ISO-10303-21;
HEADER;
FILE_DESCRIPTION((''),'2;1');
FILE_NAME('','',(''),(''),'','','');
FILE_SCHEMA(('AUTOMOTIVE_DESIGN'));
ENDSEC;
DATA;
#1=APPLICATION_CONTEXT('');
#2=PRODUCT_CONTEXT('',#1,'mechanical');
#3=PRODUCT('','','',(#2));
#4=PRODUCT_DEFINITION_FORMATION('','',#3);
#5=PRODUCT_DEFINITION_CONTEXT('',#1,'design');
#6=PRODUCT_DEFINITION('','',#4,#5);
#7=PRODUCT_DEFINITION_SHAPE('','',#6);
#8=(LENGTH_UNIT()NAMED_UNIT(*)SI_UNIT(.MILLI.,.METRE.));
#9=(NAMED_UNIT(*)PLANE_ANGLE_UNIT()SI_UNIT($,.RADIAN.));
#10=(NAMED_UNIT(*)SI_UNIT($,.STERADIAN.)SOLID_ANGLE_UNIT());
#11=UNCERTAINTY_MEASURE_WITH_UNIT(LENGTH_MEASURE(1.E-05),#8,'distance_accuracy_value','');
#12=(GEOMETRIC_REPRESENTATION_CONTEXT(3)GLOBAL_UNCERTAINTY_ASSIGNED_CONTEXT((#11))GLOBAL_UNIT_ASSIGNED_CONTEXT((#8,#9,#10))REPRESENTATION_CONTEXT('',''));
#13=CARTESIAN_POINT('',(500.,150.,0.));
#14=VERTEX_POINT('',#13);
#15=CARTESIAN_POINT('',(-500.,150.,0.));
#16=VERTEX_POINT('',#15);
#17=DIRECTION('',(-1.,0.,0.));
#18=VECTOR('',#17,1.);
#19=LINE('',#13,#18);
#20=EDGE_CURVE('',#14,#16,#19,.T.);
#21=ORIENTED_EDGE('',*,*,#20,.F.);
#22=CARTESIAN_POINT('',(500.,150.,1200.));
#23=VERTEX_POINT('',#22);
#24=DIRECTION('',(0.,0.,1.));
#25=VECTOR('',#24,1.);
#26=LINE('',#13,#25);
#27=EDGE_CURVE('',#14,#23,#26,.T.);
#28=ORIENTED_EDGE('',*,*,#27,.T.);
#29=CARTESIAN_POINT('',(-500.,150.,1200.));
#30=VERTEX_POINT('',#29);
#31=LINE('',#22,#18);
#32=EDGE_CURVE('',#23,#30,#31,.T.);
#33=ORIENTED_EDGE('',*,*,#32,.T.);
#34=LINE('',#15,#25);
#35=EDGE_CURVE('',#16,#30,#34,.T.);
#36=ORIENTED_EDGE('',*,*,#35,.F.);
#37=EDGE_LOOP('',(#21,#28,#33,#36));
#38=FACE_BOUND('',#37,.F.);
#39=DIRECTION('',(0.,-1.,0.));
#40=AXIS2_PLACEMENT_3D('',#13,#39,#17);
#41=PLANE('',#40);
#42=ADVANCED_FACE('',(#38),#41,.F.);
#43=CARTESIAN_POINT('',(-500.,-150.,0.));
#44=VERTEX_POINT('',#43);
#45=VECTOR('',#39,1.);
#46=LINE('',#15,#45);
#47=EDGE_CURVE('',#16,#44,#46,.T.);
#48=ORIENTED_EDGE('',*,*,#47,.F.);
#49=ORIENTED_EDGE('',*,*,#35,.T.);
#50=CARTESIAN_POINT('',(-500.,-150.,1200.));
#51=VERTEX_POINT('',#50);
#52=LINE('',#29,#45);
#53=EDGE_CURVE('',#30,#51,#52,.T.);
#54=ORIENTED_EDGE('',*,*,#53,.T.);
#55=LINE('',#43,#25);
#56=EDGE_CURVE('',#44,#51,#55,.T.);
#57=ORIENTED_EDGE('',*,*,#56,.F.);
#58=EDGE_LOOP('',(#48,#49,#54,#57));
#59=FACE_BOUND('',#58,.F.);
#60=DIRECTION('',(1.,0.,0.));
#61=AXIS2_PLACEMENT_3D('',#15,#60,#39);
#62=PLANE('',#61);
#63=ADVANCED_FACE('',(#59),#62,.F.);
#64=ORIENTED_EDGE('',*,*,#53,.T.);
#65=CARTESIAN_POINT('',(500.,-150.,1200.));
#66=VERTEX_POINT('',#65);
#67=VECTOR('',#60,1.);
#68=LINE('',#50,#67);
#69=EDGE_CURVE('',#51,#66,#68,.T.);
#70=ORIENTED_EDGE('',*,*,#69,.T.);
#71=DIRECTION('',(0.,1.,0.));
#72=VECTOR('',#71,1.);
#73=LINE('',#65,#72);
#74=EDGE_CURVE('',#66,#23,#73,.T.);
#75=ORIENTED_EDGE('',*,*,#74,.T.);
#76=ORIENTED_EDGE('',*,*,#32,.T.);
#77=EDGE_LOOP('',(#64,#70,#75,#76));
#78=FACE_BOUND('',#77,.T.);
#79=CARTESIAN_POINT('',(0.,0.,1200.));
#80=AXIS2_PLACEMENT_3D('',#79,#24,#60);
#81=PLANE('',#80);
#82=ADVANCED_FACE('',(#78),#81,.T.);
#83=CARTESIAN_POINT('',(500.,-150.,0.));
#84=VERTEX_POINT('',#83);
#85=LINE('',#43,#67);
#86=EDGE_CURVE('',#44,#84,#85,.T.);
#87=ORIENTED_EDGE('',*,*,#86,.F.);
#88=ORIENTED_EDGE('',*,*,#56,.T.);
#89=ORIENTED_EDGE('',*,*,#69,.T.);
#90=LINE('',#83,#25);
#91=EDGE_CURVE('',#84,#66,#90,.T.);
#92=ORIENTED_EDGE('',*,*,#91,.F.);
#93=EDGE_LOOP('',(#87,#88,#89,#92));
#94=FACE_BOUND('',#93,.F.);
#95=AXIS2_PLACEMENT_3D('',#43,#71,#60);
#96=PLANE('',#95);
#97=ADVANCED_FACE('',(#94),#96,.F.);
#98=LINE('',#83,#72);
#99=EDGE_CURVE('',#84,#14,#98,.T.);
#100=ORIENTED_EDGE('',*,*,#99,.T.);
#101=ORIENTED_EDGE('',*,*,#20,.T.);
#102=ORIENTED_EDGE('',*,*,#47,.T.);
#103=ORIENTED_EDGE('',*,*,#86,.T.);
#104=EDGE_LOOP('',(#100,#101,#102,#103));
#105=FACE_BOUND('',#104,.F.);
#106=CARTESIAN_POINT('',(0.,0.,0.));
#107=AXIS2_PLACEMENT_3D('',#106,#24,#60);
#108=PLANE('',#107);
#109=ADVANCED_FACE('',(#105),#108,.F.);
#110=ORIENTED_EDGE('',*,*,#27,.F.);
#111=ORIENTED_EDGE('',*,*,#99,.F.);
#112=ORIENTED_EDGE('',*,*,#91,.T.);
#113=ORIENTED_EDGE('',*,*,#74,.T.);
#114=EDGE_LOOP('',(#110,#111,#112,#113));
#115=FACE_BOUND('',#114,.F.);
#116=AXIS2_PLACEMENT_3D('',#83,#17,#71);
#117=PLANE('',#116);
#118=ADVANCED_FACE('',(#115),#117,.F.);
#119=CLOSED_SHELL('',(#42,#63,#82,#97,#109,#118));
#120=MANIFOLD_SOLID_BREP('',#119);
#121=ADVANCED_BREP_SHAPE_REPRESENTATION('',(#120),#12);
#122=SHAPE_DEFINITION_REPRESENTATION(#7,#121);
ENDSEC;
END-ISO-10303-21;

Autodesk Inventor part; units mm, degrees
ref_plane "YZ Plane" through (0, 0, 0) normal (1, 0, 0) x (0, 1, 0)
ref_plane "XZ Plane" through (0, 0, 0) normal (0, 1, 0) x (-1, 0, 0)
ref_plane "XY Plane" through (0, 0, 0) normal (0, 0, 1) x (1, 0, 0)
sketch "Sketch1" plane through (0, 0, 0) normal (0, 0, 1) x (1, 0, 0)
  line L0 (500, 150) -> (-500, 150)
  line L1 (-500, 150) -> (-500, -150)
  line L2 (-500, -150) -> (500, -150)
  line L3 (500, -150) -> (500, 150)
  line L4 (500, 150) -> (-500, -150) construction
  line L5 (-500, 150) -> (500, -150) construction
  point P0 (0, 0)
  dimension "d0" = 1000
  dimension "d1" = 300
extrude "Extrusion1" add sketch "Sketch1" along normal blind 1200
properties part number "BSH 14 elactric"
